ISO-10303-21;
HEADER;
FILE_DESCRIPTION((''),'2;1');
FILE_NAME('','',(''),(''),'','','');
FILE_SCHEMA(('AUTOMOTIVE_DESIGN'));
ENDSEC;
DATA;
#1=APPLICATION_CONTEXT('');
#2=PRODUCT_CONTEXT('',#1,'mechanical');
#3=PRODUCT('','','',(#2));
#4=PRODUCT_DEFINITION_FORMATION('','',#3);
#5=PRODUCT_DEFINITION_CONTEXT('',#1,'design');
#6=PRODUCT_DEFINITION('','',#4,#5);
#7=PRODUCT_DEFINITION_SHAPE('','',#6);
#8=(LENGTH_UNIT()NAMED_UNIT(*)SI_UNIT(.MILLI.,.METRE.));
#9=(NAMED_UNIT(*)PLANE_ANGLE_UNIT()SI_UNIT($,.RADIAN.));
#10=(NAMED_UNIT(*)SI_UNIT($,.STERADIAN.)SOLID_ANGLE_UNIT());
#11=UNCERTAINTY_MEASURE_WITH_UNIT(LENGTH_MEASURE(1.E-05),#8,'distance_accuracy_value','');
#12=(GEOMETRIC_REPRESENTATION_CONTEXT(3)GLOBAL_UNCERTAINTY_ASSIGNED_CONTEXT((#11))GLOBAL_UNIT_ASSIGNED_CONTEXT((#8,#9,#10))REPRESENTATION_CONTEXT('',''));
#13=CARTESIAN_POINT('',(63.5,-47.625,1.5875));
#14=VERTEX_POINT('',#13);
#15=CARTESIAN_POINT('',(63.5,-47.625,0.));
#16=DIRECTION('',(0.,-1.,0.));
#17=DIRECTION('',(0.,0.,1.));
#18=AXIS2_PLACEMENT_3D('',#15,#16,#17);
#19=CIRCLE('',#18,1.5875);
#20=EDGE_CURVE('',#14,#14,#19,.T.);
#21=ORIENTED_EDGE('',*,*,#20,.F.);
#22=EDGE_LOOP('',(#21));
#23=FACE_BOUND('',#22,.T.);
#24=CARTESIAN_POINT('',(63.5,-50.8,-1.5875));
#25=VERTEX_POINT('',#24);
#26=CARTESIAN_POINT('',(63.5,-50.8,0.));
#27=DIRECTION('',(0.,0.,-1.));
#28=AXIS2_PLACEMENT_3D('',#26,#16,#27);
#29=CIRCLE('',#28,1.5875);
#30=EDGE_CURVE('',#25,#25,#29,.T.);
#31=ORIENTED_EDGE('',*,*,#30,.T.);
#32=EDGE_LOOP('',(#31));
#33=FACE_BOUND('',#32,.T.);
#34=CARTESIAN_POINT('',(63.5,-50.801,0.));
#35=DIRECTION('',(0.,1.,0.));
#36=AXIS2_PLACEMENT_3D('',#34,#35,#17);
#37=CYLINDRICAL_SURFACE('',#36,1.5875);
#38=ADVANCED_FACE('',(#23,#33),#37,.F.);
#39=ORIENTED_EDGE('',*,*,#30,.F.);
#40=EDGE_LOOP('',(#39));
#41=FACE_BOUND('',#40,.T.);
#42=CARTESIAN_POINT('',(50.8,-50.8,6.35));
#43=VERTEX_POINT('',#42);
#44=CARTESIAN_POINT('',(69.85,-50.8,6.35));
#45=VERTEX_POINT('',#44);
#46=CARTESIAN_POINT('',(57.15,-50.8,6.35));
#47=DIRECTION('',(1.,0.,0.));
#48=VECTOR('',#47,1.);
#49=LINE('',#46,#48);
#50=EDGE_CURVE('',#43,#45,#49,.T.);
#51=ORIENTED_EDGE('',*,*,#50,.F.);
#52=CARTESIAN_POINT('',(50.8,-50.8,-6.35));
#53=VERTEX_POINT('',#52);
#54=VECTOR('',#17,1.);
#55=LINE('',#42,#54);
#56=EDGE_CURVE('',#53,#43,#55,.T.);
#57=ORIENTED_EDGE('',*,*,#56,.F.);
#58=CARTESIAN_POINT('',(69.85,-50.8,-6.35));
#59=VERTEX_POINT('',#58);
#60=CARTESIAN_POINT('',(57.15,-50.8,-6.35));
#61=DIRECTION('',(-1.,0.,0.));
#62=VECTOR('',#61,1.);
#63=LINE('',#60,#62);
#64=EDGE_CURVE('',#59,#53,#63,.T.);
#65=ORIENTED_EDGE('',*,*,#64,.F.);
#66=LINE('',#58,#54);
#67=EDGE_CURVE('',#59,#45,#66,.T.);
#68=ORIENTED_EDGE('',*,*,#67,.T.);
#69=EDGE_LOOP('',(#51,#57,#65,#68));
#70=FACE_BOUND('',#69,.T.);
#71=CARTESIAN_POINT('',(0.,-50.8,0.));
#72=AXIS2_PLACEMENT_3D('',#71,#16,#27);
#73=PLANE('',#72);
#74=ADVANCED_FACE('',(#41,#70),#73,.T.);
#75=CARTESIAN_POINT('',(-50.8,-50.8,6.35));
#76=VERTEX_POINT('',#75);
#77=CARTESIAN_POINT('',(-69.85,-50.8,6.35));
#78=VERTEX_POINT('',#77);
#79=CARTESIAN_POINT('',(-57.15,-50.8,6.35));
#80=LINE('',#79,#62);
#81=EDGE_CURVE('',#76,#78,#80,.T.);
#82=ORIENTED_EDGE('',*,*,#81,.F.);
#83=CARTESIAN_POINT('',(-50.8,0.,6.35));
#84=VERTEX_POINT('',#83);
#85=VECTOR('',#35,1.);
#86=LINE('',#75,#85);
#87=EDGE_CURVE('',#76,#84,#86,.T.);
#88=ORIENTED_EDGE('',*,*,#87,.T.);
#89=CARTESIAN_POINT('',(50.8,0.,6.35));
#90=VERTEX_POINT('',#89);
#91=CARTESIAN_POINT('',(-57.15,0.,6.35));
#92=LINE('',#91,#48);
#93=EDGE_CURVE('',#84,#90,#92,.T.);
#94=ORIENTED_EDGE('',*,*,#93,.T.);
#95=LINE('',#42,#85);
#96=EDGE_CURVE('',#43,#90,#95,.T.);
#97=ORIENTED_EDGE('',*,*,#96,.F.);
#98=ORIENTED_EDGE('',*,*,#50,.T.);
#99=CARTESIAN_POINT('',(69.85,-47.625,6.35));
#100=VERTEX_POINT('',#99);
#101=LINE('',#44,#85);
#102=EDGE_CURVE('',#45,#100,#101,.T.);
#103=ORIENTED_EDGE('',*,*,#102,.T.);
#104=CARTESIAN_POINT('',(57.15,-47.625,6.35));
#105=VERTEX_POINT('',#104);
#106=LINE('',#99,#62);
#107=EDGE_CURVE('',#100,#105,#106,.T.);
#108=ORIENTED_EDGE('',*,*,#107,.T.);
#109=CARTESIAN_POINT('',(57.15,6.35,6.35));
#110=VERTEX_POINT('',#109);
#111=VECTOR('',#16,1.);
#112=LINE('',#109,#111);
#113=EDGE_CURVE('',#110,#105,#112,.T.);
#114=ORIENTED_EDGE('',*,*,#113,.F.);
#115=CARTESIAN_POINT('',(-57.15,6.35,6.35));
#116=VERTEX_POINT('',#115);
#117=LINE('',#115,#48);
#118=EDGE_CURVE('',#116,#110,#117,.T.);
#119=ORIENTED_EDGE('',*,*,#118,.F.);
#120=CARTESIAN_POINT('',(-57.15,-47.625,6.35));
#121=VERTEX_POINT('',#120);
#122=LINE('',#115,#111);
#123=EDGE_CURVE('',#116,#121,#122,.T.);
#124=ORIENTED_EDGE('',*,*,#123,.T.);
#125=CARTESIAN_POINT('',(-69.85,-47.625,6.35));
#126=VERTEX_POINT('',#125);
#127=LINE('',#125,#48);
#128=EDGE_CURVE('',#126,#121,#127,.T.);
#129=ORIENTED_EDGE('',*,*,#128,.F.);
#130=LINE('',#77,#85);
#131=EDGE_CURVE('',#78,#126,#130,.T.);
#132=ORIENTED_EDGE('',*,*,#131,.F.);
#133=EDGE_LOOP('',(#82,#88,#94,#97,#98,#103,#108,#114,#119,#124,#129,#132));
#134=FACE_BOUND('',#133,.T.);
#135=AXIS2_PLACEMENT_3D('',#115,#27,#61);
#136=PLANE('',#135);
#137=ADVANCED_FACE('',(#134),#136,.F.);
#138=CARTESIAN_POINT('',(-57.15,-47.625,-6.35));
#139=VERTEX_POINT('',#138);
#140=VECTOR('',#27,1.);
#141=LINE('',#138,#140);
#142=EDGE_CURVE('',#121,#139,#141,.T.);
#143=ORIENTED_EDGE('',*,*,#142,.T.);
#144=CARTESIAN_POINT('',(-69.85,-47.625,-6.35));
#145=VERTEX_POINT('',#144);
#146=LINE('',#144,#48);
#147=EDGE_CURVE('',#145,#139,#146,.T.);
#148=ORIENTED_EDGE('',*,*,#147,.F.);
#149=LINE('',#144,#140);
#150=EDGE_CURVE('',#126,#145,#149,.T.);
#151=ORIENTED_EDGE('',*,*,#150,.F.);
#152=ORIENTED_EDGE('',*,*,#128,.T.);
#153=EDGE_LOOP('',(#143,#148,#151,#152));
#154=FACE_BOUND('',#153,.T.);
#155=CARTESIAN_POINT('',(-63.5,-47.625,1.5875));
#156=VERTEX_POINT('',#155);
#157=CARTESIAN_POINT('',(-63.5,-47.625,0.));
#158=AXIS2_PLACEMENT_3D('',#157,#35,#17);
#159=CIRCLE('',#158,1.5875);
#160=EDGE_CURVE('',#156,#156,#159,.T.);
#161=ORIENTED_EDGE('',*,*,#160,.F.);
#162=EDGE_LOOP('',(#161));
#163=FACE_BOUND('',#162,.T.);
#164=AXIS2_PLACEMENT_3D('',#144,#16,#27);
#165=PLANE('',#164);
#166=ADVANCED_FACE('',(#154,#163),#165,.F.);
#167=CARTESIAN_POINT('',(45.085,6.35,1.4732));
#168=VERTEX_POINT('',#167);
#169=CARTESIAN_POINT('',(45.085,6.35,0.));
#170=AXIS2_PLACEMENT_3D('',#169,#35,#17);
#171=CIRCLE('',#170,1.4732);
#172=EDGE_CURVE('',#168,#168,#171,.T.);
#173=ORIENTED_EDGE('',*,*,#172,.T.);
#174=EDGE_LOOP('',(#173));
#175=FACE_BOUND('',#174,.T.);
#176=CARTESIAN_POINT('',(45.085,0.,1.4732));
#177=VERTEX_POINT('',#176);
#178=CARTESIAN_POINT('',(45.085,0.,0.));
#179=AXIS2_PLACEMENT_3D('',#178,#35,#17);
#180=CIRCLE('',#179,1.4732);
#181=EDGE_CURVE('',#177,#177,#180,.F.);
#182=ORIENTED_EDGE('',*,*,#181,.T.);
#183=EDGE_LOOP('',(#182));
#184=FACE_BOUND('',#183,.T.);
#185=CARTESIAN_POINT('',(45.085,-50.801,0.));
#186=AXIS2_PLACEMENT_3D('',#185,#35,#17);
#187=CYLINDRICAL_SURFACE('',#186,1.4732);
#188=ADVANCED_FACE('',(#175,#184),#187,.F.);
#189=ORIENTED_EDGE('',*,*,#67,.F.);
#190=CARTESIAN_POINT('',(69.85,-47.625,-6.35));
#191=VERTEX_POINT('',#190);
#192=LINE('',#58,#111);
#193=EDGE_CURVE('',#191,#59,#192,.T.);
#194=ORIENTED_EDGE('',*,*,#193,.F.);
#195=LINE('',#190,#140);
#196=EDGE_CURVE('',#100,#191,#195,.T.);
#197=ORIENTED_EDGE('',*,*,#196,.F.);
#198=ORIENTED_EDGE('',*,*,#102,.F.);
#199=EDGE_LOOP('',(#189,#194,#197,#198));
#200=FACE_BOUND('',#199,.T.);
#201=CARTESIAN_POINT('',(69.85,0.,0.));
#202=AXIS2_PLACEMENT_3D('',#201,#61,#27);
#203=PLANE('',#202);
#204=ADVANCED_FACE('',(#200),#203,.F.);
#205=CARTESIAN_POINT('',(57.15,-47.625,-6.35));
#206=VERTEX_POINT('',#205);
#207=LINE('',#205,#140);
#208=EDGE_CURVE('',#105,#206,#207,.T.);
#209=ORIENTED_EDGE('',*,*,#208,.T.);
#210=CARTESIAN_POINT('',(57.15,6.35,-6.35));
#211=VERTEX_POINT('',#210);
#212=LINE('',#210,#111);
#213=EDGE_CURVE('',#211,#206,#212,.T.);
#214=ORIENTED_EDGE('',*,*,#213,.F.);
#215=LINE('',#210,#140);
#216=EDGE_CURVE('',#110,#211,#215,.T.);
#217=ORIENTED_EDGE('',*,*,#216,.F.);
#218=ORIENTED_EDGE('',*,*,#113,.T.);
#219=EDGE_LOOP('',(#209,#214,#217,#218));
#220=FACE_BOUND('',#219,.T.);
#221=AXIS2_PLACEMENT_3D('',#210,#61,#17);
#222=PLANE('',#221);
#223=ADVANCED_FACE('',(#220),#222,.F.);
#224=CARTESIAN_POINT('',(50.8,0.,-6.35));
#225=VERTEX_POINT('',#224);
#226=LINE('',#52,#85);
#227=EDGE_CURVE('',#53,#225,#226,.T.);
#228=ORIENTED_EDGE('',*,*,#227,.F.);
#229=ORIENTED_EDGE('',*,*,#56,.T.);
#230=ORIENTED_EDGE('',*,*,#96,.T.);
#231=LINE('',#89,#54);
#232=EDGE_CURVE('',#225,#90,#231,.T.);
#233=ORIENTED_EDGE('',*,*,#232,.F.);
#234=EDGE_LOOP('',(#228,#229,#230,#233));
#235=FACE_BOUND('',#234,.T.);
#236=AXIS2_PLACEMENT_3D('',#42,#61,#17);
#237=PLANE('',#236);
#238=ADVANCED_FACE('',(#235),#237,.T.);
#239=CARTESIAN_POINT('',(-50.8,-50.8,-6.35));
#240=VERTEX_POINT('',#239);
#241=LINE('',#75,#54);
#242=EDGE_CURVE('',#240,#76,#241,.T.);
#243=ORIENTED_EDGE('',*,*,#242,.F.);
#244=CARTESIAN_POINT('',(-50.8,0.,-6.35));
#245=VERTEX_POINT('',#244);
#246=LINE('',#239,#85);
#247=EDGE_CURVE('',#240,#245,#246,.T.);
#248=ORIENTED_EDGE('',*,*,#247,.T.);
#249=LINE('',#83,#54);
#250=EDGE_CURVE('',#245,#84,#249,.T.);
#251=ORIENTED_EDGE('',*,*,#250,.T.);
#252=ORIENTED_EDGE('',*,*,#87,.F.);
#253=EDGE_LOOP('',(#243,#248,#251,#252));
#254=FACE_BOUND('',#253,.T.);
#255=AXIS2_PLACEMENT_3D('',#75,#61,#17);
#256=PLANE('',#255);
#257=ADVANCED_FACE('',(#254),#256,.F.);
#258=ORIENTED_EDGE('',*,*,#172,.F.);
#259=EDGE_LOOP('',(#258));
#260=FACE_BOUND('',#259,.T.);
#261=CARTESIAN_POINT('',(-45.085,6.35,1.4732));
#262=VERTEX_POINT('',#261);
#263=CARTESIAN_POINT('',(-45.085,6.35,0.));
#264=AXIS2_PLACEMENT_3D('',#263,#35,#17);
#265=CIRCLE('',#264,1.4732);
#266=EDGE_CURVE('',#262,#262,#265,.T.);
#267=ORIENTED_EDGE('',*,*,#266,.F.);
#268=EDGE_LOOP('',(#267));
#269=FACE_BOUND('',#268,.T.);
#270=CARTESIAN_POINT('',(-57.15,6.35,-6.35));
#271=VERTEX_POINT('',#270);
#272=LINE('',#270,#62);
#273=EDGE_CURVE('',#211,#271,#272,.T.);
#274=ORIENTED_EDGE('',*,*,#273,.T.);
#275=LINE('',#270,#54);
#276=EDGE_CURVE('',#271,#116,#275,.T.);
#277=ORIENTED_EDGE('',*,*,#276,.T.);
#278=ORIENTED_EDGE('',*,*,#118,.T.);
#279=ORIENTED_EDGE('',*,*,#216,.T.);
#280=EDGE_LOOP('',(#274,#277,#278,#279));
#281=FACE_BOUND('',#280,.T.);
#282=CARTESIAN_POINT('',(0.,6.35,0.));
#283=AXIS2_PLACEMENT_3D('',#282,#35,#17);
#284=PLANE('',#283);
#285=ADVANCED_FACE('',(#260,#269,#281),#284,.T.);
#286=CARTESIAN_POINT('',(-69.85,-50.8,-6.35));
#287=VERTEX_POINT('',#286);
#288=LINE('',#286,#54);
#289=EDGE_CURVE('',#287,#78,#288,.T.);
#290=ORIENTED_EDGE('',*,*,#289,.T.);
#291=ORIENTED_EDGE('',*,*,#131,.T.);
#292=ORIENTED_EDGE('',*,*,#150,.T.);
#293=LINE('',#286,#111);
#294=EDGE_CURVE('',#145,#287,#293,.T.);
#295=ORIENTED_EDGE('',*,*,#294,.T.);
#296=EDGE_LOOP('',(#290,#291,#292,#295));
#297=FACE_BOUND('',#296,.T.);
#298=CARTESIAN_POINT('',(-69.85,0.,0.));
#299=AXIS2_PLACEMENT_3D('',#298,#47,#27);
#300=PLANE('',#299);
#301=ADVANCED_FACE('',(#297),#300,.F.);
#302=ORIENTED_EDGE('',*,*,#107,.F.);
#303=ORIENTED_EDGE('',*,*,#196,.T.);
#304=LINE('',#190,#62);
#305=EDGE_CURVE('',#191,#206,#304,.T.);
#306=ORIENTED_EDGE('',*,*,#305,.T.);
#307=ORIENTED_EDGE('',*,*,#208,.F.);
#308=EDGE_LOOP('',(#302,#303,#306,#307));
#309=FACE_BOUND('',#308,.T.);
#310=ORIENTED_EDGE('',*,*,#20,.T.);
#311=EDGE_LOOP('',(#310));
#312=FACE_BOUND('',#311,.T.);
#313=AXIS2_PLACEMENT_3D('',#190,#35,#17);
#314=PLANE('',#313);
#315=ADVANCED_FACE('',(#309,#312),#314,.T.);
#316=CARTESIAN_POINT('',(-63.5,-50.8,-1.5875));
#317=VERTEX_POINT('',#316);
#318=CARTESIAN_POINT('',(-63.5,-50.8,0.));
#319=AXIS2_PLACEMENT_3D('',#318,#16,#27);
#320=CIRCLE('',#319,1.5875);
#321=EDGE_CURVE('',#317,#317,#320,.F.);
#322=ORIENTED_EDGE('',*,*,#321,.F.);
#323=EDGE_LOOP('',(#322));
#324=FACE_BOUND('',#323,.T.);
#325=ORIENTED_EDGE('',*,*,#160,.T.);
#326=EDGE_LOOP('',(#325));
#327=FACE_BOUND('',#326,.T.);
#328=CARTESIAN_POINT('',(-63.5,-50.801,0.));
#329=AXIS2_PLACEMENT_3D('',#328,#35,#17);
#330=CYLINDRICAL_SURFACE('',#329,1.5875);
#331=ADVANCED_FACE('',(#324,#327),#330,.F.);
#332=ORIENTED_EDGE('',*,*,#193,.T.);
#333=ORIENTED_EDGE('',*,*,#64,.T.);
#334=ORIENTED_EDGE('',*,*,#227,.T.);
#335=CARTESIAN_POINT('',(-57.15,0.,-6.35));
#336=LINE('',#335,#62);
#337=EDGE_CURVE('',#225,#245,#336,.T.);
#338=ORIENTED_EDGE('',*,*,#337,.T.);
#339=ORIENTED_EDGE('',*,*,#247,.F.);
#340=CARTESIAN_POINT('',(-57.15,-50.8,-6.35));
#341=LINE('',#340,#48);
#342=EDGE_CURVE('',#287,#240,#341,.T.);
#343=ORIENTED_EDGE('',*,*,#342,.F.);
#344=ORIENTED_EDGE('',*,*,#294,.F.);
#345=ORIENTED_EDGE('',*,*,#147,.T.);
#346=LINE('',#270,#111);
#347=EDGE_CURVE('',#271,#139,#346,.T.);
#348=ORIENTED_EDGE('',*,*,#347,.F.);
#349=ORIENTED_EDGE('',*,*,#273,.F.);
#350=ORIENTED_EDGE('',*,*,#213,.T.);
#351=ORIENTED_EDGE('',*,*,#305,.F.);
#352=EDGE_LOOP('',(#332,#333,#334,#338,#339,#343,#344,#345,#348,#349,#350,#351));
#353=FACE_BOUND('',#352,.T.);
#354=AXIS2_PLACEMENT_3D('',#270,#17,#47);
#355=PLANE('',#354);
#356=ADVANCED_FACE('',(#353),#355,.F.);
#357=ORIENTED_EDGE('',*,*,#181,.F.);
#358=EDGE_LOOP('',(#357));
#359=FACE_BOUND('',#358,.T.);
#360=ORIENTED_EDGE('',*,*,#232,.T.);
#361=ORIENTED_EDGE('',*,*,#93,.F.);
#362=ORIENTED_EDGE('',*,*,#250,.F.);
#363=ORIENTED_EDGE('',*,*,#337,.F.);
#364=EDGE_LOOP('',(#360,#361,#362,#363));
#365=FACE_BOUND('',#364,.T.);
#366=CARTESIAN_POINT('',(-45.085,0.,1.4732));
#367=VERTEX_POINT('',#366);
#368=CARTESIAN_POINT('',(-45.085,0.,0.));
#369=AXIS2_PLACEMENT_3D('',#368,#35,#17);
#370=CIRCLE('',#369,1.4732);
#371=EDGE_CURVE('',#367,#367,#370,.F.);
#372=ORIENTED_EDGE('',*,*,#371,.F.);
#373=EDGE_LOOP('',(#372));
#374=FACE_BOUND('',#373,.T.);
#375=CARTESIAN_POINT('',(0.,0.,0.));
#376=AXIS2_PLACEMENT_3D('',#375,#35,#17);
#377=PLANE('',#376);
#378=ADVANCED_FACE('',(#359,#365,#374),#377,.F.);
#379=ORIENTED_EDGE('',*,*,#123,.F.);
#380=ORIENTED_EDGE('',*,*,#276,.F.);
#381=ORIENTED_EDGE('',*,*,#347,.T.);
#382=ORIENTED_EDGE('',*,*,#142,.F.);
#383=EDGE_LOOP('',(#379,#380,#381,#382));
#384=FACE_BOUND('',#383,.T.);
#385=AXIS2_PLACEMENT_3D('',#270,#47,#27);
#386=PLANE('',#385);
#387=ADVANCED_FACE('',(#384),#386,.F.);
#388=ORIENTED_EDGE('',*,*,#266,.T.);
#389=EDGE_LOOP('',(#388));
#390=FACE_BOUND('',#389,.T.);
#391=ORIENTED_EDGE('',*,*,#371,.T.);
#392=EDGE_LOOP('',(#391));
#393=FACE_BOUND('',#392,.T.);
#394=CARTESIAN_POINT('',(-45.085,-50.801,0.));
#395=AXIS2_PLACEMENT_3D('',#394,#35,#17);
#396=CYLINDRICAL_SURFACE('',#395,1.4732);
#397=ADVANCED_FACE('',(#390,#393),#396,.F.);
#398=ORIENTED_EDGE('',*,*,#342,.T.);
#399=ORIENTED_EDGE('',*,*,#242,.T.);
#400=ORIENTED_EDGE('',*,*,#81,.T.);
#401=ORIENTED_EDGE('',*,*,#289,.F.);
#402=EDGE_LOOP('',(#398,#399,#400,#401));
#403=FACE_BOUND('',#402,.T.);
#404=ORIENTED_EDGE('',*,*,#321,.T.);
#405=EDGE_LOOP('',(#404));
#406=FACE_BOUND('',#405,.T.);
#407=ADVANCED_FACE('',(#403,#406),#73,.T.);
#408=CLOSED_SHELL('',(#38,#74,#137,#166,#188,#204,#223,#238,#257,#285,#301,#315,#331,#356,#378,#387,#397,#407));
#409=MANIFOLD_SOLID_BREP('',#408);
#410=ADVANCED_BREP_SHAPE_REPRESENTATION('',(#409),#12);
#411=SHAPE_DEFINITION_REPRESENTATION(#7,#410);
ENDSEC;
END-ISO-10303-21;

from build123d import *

# Parameters (mm, degrees)
SKETCH1_W           = 114.3
SKETCH1_H           = 12.7
BOSS_EXTRUDE1_DEPTH = 6.35
SKETCH2_W           = 6.35
SKETCH2_H           = 12.7
BOSS_EXTRUDE2_DEPTH = 50.8
SKETCH3_W           = 12.7
SKETCH3_H           = 3.175
BOSS_EXTRUDE3_DEPTH = 12.7
CUT_EXTRUDE1_REACH  = 90.502
SKETCH4_R           = 1.5875
CUT_EXTRUDE2_REACH  = 92.474
SKETCH5_R           = 1.4732


with BuildPart() as part:
    # Sketch1 → Boss-Extrude1 (new body)
    with BuildSketch(Plane(origin=(0, 0, 0), x_dir=(1, 0, 0), z_dir=(0, 1, 0))):
        Rectangle(SKETCH1_W, SKETCH1_H)
    extrude(amount=BOSS_EXTRUDE1_DEPTH)

    # Sketch2 → Boss-Extrude2 (add)
    with BuildSketch(Plane.XZ):
        with Locations((-53.975, 0)):
            Rectangle(SKETCH2_W, SKETCH2_H)
    boss_extrude2 = extrude(amount=BOSS_EXTRUDE2_DEPTH)

    # Sketch3 → Boss-Extrude3 (add)
    with BuildSketch(Plane.ZY.offset(57.15)):
        with Locations((0, -49.2125)):
            Rectangle(SKETCH3_W, SKETCH3_H)
    boss_extrude3 = extrude(amount=BOSS_EXTRUDE3_DEPTH)

    # Mirror1: Boss-Extrude2, Boss-Extrude3 across plane
    add(boss_extrude2.mirror(Plane(origin=(0, 0, 0), x_dir=(0, 0, 1), z_dir=(1, 0, 0))))
    add(boss_extrude3.mirror(Plane(origin=(0, 0, 0), x_dir=(0, 0, 1), z_dir=(1, 0, 0))))

    # Sketch4 → Cut-Extrude1 (cut, up to next)
    with BuildSketch(Plane(origin=(0, -47.625, 0), x_dir=(1, 0, 0), z_dir=(0, 1, 0)), mode=Mode.PRIVATE) as cut_extrude1_sk1:
        with Locations(Location((-63.5, 0, 0), (0, 0, 270))):
            Circle(SKETCH4_R)
    cut_extrude1_tool1 = extrude(cut_extrude1_sk1.sketch, amount=-CUT_EXTRUDE1_REACH, mode=Mode.PRIVATE) & part.part
    cut_extrude1 = cut_extrude1_tool1.solids().sort_by_distance((-63.5, -47.625, 0))[0]
    add(cut_extrude1, mode=Mode.SUBTRACT)

    # Mirror2: Cut-Extrude1 across plane
    add(cut_extrude1.mirror(Plane(origin=(0, 0, 0), x_dir=(0, 0, 1), z_dir=(1, 0, 0))), mode=Mode.SUBTRACT)

    # Sketch5 → Cut-Extrude2 (cut, up to next)
    with BuildSketch(Plane(origin=(0, 6.35, 0), x_dir=(1, 0, 0), z_dir=(0, 1, 0)), mode=Mode.PRIVATE) as cut_extrude2_sk1:
        with Locations(Location((-45.085, 0, 0), (0, 0, 270))):
            Circle(SKETCH5_R)
    cut_extrude2_tool1 = extrude(cut_extrude2_sk1.sketch, amount=-CUT_EXTRUDE2_REACH, mode=Mode.PRIVATE) & part.part
    # Sketch5 → Cut-Extrude2 (cut, up to next)
    with BuildSketch(Plane(origin=(0, 6.35, 0), x_dir=(1, 0, 0), z_dir=(0, 1, 0)), mode=Mode.PRIVATE) as cut_extrude2_sk2:
        with Locations(Location((45.085, 0, 0), (0, 0, 270))):
            Circle(SKETCH5_R)
    cut_extrude2_tool2 = extrude(cut_extrude2_sk2.sketch, amount=-CUT_EXTRUDE2_REACH, mode=Mode.PRIVATE) & part.part
    add(cut_extrude2_tool1.solids().sort_by_distance((-45.085, 6.35, 0))[0], mode=Mode.SUBTRACT)
    add(cut_extrude2_tool2.solids().sort_by_distance((45.085, 6.35, 0))[0], mode=Mode.SUBTRACT)


solid = part.part
